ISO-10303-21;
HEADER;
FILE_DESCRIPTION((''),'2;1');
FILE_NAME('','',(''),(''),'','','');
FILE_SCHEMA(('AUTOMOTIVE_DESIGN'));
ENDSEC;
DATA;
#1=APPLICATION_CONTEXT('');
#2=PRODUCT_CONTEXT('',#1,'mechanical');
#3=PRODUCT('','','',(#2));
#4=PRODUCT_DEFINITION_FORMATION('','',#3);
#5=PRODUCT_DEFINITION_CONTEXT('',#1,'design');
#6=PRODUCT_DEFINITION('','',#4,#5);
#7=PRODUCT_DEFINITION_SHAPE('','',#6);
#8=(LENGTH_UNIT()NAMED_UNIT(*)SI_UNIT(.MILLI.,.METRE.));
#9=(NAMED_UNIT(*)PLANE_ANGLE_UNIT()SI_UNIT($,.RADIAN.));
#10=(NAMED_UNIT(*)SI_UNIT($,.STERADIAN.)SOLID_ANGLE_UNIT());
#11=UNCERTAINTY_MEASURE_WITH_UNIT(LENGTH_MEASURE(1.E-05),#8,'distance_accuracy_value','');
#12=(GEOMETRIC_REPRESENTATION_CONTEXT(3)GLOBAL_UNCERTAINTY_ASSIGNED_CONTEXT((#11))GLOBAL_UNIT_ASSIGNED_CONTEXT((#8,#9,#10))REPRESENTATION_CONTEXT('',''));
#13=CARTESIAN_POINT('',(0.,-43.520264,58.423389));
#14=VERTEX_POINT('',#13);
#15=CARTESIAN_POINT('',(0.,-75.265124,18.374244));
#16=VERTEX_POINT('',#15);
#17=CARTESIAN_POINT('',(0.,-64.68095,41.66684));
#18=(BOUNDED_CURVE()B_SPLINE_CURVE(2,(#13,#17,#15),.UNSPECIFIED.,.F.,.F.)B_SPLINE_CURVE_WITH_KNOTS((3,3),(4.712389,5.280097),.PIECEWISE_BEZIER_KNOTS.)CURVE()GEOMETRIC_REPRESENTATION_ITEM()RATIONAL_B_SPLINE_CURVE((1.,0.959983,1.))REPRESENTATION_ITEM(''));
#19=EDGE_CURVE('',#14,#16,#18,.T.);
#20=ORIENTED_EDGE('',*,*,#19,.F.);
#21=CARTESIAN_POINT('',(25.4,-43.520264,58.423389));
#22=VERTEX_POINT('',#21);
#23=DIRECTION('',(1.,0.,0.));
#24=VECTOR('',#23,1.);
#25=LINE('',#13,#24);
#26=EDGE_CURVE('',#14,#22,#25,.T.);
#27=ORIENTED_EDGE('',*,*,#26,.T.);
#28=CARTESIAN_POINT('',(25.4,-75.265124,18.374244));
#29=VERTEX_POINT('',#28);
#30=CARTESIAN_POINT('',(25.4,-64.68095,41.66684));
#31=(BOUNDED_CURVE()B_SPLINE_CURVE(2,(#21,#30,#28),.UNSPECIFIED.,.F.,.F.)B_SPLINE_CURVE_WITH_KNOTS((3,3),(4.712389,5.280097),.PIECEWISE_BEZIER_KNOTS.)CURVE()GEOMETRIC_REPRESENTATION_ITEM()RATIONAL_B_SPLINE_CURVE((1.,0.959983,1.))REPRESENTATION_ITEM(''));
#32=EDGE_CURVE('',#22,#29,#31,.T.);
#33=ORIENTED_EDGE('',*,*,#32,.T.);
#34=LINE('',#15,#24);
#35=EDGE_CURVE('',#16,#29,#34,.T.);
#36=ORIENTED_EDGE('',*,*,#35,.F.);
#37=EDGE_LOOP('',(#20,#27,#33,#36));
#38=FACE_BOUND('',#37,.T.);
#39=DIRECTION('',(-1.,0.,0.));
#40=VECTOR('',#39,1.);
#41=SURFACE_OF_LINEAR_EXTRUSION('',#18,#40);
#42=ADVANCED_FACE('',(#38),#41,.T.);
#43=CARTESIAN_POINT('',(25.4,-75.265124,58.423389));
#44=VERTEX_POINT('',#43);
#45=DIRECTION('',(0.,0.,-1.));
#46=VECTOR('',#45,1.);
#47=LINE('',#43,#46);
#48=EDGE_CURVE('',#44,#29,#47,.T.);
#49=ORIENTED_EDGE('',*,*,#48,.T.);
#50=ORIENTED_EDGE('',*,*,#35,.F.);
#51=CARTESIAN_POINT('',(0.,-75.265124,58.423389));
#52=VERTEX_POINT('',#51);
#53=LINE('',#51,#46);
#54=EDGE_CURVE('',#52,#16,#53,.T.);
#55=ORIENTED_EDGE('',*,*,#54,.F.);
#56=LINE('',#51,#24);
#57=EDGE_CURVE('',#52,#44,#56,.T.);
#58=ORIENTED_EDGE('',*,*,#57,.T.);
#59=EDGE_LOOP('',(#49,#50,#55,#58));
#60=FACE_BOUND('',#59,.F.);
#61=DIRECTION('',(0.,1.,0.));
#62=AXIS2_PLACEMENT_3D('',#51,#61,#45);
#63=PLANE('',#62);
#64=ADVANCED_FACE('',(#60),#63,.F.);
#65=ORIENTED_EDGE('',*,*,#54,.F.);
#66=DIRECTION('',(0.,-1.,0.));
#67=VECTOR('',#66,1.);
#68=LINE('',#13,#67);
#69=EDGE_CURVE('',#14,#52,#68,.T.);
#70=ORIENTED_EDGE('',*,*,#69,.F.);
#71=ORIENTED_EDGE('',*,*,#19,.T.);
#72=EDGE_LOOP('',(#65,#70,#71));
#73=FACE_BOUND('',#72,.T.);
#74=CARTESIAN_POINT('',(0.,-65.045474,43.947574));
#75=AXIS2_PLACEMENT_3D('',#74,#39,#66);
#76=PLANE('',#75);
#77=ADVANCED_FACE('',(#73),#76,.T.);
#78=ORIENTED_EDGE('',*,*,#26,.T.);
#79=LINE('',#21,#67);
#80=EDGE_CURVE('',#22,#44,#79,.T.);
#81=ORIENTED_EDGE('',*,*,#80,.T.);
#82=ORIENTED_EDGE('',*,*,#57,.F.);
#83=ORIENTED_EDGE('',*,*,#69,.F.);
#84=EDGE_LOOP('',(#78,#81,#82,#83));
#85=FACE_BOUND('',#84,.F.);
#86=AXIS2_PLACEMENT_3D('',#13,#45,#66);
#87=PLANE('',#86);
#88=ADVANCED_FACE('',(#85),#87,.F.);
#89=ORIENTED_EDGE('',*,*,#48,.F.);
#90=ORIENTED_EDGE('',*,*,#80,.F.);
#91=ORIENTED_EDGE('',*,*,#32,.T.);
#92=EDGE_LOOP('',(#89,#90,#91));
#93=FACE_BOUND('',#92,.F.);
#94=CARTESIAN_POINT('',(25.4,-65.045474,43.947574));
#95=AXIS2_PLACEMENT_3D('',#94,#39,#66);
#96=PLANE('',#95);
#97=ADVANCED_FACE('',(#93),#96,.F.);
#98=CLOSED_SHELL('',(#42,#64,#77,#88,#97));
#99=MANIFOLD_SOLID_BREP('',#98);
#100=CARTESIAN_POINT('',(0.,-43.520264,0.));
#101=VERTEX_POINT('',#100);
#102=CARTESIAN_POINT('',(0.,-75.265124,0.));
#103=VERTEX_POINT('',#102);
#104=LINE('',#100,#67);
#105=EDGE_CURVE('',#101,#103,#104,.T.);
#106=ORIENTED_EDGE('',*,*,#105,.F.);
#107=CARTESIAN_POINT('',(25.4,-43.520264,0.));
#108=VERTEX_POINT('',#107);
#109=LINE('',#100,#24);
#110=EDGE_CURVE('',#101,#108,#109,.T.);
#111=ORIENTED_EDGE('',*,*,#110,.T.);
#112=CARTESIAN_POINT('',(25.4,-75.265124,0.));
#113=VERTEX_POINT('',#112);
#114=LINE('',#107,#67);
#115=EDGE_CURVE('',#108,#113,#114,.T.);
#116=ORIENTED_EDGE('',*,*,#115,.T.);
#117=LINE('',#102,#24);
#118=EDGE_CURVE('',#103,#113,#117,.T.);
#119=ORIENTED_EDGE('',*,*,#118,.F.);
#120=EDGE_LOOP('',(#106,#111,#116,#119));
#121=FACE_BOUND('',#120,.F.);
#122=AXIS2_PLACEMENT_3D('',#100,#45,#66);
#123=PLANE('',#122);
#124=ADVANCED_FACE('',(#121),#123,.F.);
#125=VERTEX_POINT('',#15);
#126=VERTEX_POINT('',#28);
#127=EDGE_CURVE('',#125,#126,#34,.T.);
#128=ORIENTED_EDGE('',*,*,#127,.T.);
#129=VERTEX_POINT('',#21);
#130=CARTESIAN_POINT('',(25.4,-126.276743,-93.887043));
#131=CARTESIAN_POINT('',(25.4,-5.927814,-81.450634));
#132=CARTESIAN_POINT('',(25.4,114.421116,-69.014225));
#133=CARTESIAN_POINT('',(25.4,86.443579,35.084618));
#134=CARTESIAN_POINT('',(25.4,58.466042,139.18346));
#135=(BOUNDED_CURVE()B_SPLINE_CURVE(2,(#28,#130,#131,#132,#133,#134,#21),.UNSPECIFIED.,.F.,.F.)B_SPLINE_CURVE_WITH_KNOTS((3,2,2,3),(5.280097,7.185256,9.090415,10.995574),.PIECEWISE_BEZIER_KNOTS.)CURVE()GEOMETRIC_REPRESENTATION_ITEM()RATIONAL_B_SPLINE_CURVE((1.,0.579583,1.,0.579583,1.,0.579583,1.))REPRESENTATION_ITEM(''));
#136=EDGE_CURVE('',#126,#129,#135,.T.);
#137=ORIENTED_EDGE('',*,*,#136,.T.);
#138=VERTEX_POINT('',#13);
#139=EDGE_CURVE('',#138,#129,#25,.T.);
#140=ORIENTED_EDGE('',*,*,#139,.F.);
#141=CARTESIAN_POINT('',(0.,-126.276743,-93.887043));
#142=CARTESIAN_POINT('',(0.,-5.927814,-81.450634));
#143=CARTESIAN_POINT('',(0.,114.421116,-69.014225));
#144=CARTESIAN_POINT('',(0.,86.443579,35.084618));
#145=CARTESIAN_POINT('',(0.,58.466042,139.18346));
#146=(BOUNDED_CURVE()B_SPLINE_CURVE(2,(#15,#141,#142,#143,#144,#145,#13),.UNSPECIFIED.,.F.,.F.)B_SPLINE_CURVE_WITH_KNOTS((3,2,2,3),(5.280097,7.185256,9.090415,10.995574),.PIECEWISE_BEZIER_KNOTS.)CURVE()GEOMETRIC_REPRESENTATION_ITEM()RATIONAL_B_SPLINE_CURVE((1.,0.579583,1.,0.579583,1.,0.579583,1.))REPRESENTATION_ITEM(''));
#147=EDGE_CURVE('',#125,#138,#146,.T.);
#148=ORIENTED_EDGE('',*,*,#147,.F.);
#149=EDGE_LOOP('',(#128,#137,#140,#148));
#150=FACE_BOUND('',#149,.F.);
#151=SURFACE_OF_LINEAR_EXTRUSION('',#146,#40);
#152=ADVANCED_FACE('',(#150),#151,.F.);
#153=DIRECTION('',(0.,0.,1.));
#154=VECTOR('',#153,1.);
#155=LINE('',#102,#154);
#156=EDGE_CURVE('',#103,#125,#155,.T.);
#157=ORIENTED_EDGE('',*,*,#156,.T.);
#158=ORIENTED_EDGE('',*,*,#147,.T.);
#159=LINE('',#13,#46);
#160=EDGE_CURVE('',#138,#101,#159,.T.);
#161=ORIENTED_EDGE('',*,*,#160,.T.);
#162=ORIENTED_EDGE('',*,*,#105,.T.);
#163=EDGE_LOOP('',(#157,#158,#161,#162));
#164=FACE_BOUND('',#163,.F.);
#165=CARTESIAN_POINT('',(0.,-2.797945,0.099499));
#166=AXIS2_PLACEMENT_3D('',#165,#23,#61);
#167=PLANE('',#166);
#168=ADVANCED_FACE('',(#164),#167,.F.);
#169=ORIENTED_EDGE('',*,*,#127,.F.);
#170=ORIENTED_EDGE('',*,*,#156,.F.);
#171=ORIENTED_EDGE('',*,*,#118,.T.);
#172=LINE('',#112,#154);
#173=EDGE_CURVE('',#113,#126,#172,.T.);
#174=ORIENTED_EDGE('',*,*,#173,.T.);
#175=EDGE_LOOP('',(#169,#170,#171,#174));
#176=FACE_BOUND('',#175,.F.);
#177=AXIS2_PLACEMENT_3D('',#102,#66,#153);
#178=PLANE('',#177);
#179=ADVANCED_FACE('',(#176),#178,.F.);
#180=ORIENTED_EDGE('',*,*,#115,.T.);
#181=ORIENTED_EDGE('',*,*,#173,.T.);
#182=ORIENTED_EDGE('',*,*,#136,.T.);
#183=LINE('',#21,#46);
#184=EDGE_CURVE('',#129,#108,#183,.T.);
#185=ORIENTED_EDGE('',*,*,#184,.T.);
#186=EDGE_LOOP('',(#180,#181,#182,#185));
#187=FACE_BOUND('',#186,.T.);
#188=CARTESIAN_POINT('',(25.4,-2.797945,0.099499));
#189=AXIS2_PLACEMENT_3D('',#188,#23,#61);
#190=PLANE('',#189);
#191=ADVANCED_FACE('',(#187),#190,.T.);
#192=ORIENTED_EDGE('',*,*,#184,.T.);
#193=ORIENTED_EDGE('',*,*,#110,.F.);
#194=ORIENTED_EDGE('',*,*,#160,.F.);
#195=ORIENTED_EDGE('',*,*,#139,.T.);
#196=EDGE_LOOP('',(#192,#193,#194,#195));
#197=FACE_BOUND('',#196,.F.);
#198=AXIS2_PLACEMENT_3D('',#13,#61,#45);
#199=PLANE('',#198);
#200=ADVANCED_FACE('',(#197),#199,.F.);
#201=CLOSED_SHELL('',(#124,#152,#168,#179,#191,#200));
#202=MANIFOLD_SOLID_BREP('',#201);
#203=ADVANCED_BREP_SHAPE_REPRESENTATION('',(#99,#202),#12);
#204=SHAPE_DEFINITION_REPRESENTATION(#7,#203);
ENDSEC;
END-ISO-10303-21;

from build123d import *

# Parameters (mm, degrees)
F1_DEPTH = 25.4


with BuildPart() as f1:
    # F0 (on Right) → F1 (new body)
    with BuildSketch(Plane.YZ):
        with BuildLine():
            add(Edge.make_bspline(
                [(-43.520264, 58.423389), (-64.68095, 41.66684), (-75.265124, 18.374244)],
                knots=[4.712389, 4.712389, 4.712389, 5.280097, 5.280097, 5.280097], degree=2, weights=[1, 0.959983, 1]))
            Line((-43.520264, 58.423389), (-75.265124, 58.423389))
            Line((-75.265124, 58.423389), (-75.265124, 18.374244))
        make_face()
        with BuildLine():
            add(Edge.make_bspline(
                [(-75.265124, 18.374244), (-126.276743, -93.887043), (-5.927814, -81.450634), (114.421116, -69.014225), (86.443579, 35.084618), (58.466042, 139.18346), (-43.520264, 58.423389)],
                knots=[5.280097, 5.280097, 5.280097, 7.185256, 7.185256, 9.090415, 9.090415, 10.995574, 10.995574, 10.995574], degree=2, weights=[1, 0.579583, 1, 0.579583, 1, 0.579583, 1]))
            Line((-43.520264, 58.423389), (-43.520264, 0))
            Line((-43.520264, 0), (-75.265124, 0))
            Line((-75.265124, 0), (-75.265124, 18.374244))
        make_face()
    extrude(amount=F1_DEPTH)


solid = f1.part
